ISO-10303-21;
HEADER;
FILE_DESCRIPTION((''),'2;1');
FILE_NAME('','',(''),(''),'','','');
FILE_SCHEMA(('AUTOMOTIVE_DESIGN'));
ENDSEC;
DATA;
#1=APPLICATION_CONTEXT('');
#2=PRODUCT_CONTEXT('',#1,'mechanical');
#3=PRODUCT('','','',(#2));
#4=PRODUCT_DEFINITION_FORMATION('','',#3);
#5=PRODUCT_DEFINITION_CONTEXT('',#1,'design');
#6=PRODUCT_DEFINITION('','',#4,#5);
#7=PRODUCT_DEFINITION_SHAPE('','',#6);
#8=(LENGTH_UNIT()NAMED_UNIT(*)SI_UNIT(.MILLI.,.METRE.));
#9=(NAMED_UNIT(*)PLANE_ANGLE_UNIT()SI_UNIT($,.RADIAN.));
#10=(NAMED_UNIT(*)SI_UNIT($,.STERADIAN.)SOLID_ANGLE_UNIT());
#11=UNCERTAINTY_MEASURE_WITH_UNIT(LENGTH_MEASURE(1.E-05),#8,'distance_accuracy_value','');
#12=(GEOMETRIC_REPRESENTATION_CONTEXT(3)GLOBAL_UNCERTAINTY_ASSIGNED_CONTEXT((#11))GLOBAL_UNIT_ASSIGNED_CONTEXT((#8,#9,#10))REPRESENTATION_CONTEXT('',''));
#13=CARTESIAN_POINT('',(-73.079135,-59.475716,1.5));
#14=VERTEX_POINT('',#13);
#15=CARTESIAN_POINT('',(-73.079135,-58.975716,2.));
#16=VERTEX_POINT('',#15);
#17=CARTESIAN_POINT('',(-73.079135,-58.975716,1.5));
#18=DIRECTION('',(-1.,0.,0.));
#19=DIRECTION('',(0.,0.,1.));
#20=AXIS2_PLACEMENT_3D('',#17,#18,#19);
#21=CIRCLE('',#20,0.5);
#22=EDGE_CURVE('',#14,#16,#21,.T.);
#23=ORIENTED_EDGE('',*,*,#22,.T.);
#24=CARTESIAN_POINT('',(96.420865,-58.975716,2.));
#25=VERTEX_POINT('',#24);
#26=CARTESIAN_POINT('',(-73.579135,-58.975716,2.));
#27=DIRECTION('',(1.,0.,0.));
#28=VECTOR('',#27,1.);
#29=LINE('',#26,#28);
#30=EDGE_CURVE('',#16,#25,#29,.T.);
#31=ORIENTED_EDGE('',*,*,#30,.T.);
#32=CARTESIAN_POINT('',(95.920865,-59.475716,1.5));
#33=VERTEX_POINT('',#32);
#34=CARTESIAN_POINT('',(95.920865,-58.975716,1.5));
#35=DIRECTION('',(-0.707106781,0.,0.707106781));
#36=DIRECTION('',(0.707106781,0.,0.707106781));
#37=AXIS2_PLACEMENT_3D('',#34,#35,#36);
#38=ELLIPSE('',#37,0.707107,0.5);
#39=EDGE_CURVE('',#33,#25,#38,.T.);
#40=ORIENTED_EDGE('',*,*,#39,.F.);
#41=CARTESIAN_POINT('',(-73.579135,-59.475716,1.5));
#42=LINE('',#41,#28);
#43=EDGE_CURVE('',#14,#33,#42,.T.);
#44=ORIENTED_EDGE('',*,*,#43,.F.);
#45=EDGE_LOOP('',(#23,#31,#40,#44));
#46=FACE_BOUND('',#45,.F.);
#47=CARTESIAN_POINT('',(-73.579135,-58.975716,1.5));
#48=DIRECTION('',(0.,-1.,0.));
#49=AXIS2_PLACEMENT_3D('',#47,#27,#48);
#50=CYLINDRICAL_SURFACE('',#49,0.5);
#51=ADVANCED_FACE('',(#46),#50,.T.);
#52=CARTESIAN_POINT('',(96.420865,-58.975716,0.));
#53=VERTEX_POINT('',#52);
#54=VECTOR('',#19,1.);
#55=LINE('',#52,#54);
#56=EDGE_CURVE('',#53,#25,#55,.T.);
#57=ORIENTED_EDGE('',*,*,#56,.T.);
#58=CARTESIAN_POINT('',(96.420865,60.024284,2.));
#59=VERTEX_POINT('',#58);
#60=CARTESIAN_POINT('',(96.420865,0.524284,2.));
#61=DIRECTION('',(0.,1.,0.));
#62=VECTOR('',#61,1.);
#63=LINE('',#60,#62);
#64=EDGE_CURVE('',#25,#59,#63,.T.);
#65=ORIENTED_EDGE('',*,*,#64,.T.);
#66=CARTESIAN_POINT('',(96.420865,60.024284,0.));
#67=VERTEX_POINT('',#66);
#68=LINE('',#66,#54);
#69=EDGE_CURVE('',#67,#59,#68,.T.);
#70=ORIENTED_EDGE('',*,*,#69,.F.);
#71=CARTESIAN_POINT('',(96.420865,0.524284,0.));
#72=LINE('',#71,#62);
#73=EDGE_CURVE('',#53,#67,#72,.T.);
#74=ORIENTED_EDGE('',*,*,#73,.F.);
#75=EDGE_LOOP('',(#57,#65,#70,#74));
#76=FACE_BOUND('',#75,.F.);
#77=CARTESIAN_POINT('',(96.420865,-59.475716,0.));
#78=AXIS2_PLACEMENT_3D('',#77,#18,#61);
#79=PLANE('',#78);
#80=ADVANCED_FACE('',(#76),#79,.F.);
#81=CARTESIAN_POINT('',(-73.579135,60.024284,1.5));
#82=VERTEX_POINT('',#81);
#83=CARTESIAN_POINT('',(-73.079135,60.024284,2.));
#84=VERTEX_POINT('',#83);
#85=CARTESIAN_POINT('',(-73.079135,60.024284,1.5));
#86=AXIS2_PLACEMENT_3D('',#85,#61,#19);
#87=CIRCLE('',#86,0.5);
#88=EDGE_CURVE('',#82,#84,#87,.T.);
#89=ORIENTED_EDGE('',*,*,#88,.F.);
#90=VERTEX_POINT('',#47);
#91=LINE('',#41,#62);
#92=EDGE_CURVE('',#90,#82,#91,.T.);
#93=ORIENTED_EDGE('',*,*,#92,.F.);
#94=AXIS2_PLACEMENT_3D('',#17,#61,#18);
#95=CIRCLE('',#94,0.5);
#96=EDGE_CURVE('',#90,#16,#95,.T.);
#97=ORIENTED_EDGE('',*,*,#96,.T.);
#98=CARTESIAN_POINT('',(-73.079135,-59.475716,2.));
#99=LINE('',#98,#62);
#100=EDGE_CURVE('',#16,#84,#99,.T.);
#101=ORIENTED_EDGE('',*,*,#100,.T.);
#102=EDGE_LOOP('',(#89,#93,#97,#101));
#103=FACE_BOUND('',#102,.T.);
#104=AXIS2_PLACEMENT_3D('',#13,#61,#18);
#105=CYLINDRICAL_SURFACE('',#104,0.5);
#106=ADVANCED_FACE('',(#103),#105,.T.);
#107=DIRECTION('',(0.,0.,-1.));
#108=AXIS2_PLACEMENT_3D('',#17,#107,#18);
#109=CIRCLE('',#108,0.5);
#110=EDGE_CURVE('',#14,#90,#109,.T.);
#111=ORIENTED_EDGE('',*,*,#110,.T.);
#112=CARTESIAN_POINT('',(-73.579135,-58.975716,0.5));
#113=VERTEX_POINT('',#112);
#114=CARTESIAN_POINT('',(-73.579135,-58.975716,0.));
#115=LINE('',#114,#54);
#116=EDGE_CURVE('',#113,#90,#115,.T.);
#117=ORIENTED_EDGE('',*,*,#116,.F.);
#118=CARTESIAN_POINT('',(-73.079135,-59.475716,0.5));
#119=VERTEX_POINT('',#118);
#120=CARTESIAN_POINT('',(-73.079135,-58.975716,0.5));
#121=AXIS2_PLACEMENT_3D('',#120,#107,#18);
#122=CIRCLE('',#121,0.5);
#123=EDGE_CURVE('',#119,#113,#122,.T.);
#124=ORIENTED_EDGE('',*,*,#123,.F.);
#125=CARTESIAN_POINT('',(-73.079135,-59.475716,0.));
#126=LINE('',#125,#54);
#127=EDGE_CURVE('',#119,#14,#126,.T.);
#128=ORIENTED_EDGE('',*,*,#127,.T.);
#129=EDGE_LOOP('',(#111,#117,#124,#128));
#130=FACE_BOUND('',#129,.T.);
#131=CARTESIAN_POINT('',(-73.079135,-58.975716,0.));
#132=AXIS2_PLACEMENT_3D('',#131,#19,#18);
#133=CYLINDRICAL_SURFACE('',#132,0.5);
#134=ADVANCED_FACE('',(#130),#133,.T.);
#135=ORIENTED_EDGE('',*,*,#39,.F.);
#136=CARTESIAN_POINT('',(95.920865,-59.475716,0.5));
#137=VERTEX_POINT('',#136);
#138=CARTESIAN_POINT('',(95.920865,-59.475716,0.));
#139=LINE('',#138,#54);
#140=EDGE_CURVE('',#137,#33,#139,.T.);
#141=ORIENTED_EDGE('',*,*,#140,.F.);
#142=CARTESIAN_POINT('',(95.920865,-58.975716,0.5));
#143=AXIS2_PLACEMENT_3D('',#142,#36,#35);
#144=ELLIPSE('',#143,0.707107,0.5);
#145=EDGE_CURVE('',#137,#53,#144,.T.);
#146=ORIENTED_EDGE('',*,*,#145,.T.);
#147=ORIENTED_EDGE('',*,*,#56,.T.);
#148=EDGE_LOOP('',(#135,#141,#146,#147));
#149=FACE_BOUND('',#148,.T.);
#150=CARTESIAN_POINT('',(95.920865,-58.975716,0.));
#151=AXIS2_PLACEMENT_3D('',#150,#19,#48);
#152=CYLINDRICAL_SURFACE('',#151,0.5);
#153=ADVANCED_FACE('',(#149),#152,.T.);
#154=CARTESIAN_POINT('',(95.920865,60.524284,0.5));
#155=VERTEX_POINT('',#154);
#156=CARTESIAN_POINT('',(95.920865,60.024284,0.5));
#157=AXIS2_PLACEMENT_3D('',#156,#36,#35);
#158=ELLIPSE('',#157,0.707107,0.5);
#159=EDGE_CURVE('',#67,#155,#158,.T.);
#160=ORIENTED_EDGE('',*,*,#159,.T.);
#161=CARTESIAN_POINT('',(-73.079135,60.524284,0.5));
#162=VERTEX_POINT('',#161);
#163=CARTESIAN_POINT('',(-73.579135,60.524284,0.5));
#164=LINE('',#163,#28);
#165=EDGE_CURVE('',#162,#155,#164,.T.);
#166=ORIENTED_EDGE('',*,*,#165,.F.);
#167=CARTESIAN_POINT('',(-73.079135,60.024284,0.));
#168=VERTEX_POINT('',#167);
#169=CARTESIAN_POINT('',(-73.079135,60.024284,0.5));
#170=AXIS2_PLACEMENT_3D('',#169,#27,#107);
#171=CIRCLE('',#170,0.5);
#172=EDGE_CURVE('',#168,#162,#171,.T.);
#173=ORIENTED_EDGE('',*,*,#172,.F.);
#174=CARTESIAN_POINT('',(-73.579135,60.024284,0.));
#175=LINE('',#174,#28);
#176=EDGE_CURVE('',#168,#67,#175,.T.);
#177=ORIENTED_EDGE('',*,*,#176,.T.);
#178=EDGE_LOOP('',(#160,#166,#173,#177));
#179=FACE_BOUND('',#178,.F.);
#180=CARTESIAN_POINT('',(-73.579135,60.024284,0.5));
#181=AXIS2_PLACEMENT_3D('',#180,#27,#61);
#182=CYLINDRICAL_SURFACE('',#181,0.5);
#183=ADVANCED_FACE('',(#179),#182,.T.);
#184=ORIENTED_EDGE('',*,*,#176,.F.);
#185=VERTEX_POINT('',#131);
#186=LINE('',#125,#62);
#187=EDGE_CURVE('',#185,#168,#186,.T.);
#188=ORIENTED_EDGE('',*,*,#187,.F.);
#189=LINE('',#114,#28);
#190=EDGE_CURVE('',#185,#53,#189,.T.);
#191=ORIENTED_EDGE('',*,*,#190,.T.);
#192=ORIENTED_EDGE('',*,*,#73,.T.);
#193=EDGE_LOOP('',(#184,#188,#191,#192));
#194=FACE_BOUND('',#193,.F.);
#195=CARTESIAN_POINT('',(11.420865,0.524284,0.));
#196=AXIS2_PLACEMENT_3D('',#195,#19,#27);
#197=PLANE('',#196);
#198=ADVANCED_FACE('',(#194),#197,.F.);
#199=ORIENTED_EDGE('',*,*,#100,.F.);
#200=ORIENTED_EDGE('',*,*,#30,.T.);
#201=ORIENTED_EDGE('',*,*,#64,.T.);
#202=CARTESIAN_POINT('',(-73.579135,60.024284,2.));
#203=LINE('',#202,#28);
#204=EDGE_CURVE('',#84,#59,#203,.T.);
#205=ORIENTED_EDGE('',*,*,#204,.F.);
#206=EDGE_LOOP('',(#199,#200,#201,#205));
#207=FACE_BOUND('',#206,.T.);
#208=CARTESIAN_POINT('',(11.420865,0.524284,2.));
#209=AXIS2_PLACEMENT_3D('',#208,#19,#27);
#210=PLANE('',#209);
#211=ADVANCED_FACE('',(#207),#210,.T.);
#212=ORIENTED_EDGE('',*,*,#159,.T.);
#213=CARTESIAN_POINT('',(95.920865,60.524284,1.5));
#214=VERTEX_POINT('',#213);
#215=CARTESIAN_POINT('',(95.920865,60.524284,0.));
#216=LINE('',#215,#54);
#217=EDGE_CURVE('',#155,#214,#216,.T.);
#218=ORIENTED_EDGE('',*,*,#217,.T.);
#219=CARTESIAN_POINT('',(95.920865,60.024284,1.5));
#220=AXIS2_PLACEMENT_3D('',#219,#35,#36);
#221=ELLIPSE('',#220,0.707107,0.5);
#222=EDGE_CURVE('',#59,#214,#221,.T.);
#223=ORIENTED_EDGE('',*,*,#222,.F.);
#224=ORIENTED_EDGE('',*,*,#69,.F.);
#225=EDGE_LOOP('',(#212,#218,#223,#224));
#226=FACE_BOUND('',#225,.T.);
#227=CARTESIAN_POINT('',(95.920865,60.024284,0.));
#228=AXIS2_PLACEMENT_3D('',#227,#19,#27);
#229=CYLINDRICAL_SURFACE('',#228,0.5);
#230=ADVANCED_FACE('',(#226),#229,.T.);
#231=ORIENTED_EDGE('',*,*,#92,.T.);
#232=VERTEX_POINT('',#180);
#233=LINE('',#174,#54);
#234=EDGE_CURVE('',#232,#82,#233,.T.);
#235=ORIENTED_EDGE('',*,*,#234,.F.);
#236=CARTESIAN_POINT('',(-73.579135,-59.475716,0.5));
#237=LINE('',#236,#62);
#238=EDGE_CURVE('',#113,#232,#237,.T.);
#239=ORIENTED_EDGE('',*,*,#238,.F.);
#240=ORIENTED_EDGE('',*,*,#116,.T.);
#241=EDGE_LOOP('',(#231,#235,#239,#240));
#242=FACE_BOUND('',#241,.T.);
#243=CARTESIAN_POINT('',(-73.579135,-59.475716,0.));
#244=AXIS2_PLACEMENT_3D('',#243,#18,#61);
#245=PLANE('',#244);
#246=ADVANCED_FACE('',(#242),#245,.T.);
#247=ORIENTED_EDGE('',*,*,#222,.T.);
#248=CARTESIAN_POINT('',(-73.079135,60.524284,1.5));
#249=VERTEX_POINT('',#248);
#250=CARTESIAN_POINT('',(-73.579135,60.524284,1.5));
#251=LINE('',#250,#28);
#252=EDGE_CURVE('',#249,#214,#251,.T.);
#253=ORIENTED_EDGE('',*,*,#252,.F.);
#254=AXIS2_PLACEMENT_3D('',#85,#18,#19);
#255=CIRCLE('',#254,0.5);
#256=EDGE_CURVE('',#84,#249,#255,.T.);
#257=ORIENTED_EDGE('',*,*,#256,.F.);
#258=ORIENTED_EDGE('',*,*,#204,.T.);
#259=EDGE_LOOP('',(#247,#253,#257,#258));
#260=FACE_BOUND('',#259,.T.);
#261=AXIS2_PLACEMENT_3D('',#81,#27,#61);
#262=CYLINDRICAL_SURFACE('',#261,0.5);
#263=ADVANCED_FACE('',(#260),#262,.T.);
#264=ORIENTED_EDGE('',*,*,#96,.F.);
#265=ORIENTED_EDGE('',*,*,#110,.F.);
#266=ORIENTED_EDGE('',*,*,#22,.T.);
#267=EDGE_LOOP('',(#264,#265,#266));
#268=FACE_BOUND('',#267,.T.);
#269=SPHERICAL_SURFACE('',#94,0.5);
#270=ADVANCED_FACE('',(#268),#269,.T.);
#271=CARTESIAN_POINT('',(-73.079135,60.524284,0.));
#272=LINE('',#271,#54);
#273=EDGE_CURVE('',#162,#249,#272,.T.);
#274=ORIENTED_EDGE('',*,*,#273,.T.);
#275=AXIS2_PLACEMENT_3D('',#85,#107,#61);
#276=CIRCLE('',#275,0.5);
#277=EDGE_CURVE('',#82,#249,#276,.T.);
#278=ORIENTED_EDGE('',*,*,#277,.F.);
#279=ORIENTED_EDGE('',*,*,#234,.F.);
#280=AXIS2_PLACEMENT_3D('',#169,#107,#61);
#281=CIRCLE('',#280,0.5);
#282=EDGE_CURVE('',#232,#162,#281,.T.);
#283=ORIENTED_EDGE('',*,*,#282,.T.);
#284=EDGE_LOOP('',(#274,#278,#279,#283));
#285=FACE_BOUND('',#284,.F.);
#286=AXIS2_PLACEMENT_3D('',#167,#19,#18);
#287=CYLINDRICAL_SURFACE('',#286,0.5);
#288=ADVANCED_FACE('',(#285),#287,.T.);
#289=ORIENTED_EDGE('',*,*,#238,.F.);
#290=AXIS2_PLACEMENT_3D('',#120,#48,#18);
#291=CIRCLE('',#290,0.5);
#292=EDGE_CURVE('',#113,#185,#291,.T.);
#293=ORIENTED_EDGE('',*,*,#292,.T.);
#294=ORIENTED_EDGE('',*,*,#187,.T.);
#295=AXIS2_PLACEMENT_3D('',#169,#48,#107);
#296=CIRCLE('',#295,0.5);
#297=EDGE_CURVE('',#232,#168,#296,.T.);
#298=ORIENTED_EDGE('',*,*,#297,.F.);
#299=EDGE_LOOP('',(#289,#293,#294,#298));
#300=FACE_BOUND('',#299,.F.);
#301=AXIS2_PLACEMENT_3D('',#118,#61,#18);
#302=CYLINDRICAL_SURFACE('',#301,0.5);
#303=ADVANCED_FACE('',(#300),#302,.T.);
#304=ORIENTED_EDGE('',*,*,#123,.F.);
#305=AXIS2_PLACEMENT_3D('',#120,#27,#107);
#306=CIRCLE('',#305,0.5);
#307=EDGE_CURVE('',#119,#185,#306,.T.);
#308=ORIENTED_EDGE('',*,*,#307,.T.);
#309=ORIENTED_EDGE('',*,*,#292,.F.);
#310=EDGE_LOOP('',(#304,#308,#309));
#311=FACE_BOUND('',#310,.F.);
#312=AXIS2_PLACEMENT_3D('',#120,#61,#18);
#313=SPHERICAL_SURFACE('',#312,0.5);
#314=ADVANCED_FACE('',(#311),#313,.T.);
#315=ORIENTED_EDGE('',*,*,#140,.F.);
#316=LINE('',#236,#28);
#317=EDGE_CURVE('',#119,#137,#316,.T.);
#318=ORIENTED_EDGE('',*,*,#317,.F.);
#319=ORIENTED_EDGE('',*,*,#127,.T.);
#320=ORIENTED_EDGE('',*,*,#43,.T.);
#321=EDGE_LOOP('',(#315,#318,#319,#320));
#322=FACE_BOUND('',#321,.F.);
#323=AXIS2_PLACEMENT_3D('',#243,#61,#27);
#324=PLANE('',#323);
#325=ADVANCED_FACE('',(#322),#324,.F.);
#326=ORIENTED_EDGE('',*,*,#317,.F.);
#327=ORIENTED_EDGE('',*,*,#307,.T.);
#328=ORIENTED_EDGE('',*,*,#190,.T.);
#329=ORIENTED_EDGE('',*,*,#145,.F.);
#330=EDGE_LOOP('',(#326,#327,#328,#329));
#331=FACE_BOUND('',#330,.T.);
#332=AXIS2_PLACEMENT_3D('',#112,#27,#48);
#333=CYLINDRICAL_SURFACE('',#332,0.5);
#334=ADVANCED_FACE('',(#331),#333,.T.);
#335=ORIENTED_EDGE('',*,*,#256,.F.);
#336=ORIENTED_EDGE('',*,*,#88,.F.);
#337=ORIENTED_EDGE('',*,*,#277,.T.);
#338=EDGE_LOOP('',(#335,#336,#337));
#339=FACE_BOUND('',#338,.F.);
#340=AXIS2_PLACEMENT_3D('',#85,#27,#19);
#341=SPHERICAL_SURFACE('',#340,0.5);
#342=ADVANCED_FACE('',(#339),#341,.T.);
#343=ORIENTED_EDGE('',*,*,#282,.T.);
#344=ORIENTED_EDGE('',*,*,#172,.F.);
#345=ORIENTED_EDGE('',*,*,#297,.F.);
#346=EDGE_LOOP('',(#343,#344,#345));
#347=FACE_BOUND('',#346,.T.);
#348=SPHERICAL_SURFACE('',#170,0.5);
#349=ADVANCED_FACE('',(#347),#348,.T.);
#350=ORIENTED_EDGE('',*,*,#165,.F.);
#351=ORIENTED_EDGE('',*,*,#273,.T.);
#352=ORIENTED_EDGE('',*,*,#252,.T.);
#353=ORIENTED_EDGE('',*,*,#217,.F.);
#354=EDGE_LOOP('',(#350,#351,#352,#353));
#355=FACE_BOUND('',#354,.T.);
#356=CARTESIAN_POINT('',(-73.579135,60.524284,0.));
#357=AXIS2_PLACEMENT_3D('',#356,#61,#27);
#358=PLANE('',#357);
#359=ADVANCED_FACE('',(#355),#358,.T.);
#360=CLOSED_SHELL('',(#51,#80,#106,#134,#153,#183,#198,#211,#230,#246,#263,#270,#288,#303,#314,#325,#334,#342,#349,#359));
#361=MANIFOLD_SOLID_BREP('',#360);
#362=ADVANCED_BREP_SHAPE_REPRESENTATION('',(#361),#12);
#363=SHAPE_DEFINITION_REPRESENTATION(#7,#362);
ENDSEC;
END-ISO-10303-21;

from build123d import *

# Parameters (mm, degrees)
SKETCH_W  = 170
SKETCH_H  = 120
PAD_DEPTH = 2
FILLET_R  = 0.5


with BuildPart() as part:
    # Sketch → Pad (new body)
    with BuildSketch(Plane.XY):
        with Locations((11.420865, 0.524284)):
            Rectangle(SKETCH_W, SKETCH_H)
    extrude(amount=PAD_DEPTH)

    # Fillet
    fillet_edges = [part.edges().sort_by_distance(p)[0] for p in [
        (96.420865, -59.475716, 1),
        (96.420865, 60.524284, 1),
        (11.420865, 60.524284, 0),
        (11.420865, 60.524284, 2),
        (-73.579135, 0.524284, 2),
        (-73.579135, 0.524284, 0),
        (-73.579135, -59.475716, 1),
        (-73.579135, 60.524284, 1),
        (11.420865, -59.475716, 0),
        (11.420865, -59.475716, 2),
    ]]
    fillet(fillet_edges, radius=FILLET_R)


solid = part.part
